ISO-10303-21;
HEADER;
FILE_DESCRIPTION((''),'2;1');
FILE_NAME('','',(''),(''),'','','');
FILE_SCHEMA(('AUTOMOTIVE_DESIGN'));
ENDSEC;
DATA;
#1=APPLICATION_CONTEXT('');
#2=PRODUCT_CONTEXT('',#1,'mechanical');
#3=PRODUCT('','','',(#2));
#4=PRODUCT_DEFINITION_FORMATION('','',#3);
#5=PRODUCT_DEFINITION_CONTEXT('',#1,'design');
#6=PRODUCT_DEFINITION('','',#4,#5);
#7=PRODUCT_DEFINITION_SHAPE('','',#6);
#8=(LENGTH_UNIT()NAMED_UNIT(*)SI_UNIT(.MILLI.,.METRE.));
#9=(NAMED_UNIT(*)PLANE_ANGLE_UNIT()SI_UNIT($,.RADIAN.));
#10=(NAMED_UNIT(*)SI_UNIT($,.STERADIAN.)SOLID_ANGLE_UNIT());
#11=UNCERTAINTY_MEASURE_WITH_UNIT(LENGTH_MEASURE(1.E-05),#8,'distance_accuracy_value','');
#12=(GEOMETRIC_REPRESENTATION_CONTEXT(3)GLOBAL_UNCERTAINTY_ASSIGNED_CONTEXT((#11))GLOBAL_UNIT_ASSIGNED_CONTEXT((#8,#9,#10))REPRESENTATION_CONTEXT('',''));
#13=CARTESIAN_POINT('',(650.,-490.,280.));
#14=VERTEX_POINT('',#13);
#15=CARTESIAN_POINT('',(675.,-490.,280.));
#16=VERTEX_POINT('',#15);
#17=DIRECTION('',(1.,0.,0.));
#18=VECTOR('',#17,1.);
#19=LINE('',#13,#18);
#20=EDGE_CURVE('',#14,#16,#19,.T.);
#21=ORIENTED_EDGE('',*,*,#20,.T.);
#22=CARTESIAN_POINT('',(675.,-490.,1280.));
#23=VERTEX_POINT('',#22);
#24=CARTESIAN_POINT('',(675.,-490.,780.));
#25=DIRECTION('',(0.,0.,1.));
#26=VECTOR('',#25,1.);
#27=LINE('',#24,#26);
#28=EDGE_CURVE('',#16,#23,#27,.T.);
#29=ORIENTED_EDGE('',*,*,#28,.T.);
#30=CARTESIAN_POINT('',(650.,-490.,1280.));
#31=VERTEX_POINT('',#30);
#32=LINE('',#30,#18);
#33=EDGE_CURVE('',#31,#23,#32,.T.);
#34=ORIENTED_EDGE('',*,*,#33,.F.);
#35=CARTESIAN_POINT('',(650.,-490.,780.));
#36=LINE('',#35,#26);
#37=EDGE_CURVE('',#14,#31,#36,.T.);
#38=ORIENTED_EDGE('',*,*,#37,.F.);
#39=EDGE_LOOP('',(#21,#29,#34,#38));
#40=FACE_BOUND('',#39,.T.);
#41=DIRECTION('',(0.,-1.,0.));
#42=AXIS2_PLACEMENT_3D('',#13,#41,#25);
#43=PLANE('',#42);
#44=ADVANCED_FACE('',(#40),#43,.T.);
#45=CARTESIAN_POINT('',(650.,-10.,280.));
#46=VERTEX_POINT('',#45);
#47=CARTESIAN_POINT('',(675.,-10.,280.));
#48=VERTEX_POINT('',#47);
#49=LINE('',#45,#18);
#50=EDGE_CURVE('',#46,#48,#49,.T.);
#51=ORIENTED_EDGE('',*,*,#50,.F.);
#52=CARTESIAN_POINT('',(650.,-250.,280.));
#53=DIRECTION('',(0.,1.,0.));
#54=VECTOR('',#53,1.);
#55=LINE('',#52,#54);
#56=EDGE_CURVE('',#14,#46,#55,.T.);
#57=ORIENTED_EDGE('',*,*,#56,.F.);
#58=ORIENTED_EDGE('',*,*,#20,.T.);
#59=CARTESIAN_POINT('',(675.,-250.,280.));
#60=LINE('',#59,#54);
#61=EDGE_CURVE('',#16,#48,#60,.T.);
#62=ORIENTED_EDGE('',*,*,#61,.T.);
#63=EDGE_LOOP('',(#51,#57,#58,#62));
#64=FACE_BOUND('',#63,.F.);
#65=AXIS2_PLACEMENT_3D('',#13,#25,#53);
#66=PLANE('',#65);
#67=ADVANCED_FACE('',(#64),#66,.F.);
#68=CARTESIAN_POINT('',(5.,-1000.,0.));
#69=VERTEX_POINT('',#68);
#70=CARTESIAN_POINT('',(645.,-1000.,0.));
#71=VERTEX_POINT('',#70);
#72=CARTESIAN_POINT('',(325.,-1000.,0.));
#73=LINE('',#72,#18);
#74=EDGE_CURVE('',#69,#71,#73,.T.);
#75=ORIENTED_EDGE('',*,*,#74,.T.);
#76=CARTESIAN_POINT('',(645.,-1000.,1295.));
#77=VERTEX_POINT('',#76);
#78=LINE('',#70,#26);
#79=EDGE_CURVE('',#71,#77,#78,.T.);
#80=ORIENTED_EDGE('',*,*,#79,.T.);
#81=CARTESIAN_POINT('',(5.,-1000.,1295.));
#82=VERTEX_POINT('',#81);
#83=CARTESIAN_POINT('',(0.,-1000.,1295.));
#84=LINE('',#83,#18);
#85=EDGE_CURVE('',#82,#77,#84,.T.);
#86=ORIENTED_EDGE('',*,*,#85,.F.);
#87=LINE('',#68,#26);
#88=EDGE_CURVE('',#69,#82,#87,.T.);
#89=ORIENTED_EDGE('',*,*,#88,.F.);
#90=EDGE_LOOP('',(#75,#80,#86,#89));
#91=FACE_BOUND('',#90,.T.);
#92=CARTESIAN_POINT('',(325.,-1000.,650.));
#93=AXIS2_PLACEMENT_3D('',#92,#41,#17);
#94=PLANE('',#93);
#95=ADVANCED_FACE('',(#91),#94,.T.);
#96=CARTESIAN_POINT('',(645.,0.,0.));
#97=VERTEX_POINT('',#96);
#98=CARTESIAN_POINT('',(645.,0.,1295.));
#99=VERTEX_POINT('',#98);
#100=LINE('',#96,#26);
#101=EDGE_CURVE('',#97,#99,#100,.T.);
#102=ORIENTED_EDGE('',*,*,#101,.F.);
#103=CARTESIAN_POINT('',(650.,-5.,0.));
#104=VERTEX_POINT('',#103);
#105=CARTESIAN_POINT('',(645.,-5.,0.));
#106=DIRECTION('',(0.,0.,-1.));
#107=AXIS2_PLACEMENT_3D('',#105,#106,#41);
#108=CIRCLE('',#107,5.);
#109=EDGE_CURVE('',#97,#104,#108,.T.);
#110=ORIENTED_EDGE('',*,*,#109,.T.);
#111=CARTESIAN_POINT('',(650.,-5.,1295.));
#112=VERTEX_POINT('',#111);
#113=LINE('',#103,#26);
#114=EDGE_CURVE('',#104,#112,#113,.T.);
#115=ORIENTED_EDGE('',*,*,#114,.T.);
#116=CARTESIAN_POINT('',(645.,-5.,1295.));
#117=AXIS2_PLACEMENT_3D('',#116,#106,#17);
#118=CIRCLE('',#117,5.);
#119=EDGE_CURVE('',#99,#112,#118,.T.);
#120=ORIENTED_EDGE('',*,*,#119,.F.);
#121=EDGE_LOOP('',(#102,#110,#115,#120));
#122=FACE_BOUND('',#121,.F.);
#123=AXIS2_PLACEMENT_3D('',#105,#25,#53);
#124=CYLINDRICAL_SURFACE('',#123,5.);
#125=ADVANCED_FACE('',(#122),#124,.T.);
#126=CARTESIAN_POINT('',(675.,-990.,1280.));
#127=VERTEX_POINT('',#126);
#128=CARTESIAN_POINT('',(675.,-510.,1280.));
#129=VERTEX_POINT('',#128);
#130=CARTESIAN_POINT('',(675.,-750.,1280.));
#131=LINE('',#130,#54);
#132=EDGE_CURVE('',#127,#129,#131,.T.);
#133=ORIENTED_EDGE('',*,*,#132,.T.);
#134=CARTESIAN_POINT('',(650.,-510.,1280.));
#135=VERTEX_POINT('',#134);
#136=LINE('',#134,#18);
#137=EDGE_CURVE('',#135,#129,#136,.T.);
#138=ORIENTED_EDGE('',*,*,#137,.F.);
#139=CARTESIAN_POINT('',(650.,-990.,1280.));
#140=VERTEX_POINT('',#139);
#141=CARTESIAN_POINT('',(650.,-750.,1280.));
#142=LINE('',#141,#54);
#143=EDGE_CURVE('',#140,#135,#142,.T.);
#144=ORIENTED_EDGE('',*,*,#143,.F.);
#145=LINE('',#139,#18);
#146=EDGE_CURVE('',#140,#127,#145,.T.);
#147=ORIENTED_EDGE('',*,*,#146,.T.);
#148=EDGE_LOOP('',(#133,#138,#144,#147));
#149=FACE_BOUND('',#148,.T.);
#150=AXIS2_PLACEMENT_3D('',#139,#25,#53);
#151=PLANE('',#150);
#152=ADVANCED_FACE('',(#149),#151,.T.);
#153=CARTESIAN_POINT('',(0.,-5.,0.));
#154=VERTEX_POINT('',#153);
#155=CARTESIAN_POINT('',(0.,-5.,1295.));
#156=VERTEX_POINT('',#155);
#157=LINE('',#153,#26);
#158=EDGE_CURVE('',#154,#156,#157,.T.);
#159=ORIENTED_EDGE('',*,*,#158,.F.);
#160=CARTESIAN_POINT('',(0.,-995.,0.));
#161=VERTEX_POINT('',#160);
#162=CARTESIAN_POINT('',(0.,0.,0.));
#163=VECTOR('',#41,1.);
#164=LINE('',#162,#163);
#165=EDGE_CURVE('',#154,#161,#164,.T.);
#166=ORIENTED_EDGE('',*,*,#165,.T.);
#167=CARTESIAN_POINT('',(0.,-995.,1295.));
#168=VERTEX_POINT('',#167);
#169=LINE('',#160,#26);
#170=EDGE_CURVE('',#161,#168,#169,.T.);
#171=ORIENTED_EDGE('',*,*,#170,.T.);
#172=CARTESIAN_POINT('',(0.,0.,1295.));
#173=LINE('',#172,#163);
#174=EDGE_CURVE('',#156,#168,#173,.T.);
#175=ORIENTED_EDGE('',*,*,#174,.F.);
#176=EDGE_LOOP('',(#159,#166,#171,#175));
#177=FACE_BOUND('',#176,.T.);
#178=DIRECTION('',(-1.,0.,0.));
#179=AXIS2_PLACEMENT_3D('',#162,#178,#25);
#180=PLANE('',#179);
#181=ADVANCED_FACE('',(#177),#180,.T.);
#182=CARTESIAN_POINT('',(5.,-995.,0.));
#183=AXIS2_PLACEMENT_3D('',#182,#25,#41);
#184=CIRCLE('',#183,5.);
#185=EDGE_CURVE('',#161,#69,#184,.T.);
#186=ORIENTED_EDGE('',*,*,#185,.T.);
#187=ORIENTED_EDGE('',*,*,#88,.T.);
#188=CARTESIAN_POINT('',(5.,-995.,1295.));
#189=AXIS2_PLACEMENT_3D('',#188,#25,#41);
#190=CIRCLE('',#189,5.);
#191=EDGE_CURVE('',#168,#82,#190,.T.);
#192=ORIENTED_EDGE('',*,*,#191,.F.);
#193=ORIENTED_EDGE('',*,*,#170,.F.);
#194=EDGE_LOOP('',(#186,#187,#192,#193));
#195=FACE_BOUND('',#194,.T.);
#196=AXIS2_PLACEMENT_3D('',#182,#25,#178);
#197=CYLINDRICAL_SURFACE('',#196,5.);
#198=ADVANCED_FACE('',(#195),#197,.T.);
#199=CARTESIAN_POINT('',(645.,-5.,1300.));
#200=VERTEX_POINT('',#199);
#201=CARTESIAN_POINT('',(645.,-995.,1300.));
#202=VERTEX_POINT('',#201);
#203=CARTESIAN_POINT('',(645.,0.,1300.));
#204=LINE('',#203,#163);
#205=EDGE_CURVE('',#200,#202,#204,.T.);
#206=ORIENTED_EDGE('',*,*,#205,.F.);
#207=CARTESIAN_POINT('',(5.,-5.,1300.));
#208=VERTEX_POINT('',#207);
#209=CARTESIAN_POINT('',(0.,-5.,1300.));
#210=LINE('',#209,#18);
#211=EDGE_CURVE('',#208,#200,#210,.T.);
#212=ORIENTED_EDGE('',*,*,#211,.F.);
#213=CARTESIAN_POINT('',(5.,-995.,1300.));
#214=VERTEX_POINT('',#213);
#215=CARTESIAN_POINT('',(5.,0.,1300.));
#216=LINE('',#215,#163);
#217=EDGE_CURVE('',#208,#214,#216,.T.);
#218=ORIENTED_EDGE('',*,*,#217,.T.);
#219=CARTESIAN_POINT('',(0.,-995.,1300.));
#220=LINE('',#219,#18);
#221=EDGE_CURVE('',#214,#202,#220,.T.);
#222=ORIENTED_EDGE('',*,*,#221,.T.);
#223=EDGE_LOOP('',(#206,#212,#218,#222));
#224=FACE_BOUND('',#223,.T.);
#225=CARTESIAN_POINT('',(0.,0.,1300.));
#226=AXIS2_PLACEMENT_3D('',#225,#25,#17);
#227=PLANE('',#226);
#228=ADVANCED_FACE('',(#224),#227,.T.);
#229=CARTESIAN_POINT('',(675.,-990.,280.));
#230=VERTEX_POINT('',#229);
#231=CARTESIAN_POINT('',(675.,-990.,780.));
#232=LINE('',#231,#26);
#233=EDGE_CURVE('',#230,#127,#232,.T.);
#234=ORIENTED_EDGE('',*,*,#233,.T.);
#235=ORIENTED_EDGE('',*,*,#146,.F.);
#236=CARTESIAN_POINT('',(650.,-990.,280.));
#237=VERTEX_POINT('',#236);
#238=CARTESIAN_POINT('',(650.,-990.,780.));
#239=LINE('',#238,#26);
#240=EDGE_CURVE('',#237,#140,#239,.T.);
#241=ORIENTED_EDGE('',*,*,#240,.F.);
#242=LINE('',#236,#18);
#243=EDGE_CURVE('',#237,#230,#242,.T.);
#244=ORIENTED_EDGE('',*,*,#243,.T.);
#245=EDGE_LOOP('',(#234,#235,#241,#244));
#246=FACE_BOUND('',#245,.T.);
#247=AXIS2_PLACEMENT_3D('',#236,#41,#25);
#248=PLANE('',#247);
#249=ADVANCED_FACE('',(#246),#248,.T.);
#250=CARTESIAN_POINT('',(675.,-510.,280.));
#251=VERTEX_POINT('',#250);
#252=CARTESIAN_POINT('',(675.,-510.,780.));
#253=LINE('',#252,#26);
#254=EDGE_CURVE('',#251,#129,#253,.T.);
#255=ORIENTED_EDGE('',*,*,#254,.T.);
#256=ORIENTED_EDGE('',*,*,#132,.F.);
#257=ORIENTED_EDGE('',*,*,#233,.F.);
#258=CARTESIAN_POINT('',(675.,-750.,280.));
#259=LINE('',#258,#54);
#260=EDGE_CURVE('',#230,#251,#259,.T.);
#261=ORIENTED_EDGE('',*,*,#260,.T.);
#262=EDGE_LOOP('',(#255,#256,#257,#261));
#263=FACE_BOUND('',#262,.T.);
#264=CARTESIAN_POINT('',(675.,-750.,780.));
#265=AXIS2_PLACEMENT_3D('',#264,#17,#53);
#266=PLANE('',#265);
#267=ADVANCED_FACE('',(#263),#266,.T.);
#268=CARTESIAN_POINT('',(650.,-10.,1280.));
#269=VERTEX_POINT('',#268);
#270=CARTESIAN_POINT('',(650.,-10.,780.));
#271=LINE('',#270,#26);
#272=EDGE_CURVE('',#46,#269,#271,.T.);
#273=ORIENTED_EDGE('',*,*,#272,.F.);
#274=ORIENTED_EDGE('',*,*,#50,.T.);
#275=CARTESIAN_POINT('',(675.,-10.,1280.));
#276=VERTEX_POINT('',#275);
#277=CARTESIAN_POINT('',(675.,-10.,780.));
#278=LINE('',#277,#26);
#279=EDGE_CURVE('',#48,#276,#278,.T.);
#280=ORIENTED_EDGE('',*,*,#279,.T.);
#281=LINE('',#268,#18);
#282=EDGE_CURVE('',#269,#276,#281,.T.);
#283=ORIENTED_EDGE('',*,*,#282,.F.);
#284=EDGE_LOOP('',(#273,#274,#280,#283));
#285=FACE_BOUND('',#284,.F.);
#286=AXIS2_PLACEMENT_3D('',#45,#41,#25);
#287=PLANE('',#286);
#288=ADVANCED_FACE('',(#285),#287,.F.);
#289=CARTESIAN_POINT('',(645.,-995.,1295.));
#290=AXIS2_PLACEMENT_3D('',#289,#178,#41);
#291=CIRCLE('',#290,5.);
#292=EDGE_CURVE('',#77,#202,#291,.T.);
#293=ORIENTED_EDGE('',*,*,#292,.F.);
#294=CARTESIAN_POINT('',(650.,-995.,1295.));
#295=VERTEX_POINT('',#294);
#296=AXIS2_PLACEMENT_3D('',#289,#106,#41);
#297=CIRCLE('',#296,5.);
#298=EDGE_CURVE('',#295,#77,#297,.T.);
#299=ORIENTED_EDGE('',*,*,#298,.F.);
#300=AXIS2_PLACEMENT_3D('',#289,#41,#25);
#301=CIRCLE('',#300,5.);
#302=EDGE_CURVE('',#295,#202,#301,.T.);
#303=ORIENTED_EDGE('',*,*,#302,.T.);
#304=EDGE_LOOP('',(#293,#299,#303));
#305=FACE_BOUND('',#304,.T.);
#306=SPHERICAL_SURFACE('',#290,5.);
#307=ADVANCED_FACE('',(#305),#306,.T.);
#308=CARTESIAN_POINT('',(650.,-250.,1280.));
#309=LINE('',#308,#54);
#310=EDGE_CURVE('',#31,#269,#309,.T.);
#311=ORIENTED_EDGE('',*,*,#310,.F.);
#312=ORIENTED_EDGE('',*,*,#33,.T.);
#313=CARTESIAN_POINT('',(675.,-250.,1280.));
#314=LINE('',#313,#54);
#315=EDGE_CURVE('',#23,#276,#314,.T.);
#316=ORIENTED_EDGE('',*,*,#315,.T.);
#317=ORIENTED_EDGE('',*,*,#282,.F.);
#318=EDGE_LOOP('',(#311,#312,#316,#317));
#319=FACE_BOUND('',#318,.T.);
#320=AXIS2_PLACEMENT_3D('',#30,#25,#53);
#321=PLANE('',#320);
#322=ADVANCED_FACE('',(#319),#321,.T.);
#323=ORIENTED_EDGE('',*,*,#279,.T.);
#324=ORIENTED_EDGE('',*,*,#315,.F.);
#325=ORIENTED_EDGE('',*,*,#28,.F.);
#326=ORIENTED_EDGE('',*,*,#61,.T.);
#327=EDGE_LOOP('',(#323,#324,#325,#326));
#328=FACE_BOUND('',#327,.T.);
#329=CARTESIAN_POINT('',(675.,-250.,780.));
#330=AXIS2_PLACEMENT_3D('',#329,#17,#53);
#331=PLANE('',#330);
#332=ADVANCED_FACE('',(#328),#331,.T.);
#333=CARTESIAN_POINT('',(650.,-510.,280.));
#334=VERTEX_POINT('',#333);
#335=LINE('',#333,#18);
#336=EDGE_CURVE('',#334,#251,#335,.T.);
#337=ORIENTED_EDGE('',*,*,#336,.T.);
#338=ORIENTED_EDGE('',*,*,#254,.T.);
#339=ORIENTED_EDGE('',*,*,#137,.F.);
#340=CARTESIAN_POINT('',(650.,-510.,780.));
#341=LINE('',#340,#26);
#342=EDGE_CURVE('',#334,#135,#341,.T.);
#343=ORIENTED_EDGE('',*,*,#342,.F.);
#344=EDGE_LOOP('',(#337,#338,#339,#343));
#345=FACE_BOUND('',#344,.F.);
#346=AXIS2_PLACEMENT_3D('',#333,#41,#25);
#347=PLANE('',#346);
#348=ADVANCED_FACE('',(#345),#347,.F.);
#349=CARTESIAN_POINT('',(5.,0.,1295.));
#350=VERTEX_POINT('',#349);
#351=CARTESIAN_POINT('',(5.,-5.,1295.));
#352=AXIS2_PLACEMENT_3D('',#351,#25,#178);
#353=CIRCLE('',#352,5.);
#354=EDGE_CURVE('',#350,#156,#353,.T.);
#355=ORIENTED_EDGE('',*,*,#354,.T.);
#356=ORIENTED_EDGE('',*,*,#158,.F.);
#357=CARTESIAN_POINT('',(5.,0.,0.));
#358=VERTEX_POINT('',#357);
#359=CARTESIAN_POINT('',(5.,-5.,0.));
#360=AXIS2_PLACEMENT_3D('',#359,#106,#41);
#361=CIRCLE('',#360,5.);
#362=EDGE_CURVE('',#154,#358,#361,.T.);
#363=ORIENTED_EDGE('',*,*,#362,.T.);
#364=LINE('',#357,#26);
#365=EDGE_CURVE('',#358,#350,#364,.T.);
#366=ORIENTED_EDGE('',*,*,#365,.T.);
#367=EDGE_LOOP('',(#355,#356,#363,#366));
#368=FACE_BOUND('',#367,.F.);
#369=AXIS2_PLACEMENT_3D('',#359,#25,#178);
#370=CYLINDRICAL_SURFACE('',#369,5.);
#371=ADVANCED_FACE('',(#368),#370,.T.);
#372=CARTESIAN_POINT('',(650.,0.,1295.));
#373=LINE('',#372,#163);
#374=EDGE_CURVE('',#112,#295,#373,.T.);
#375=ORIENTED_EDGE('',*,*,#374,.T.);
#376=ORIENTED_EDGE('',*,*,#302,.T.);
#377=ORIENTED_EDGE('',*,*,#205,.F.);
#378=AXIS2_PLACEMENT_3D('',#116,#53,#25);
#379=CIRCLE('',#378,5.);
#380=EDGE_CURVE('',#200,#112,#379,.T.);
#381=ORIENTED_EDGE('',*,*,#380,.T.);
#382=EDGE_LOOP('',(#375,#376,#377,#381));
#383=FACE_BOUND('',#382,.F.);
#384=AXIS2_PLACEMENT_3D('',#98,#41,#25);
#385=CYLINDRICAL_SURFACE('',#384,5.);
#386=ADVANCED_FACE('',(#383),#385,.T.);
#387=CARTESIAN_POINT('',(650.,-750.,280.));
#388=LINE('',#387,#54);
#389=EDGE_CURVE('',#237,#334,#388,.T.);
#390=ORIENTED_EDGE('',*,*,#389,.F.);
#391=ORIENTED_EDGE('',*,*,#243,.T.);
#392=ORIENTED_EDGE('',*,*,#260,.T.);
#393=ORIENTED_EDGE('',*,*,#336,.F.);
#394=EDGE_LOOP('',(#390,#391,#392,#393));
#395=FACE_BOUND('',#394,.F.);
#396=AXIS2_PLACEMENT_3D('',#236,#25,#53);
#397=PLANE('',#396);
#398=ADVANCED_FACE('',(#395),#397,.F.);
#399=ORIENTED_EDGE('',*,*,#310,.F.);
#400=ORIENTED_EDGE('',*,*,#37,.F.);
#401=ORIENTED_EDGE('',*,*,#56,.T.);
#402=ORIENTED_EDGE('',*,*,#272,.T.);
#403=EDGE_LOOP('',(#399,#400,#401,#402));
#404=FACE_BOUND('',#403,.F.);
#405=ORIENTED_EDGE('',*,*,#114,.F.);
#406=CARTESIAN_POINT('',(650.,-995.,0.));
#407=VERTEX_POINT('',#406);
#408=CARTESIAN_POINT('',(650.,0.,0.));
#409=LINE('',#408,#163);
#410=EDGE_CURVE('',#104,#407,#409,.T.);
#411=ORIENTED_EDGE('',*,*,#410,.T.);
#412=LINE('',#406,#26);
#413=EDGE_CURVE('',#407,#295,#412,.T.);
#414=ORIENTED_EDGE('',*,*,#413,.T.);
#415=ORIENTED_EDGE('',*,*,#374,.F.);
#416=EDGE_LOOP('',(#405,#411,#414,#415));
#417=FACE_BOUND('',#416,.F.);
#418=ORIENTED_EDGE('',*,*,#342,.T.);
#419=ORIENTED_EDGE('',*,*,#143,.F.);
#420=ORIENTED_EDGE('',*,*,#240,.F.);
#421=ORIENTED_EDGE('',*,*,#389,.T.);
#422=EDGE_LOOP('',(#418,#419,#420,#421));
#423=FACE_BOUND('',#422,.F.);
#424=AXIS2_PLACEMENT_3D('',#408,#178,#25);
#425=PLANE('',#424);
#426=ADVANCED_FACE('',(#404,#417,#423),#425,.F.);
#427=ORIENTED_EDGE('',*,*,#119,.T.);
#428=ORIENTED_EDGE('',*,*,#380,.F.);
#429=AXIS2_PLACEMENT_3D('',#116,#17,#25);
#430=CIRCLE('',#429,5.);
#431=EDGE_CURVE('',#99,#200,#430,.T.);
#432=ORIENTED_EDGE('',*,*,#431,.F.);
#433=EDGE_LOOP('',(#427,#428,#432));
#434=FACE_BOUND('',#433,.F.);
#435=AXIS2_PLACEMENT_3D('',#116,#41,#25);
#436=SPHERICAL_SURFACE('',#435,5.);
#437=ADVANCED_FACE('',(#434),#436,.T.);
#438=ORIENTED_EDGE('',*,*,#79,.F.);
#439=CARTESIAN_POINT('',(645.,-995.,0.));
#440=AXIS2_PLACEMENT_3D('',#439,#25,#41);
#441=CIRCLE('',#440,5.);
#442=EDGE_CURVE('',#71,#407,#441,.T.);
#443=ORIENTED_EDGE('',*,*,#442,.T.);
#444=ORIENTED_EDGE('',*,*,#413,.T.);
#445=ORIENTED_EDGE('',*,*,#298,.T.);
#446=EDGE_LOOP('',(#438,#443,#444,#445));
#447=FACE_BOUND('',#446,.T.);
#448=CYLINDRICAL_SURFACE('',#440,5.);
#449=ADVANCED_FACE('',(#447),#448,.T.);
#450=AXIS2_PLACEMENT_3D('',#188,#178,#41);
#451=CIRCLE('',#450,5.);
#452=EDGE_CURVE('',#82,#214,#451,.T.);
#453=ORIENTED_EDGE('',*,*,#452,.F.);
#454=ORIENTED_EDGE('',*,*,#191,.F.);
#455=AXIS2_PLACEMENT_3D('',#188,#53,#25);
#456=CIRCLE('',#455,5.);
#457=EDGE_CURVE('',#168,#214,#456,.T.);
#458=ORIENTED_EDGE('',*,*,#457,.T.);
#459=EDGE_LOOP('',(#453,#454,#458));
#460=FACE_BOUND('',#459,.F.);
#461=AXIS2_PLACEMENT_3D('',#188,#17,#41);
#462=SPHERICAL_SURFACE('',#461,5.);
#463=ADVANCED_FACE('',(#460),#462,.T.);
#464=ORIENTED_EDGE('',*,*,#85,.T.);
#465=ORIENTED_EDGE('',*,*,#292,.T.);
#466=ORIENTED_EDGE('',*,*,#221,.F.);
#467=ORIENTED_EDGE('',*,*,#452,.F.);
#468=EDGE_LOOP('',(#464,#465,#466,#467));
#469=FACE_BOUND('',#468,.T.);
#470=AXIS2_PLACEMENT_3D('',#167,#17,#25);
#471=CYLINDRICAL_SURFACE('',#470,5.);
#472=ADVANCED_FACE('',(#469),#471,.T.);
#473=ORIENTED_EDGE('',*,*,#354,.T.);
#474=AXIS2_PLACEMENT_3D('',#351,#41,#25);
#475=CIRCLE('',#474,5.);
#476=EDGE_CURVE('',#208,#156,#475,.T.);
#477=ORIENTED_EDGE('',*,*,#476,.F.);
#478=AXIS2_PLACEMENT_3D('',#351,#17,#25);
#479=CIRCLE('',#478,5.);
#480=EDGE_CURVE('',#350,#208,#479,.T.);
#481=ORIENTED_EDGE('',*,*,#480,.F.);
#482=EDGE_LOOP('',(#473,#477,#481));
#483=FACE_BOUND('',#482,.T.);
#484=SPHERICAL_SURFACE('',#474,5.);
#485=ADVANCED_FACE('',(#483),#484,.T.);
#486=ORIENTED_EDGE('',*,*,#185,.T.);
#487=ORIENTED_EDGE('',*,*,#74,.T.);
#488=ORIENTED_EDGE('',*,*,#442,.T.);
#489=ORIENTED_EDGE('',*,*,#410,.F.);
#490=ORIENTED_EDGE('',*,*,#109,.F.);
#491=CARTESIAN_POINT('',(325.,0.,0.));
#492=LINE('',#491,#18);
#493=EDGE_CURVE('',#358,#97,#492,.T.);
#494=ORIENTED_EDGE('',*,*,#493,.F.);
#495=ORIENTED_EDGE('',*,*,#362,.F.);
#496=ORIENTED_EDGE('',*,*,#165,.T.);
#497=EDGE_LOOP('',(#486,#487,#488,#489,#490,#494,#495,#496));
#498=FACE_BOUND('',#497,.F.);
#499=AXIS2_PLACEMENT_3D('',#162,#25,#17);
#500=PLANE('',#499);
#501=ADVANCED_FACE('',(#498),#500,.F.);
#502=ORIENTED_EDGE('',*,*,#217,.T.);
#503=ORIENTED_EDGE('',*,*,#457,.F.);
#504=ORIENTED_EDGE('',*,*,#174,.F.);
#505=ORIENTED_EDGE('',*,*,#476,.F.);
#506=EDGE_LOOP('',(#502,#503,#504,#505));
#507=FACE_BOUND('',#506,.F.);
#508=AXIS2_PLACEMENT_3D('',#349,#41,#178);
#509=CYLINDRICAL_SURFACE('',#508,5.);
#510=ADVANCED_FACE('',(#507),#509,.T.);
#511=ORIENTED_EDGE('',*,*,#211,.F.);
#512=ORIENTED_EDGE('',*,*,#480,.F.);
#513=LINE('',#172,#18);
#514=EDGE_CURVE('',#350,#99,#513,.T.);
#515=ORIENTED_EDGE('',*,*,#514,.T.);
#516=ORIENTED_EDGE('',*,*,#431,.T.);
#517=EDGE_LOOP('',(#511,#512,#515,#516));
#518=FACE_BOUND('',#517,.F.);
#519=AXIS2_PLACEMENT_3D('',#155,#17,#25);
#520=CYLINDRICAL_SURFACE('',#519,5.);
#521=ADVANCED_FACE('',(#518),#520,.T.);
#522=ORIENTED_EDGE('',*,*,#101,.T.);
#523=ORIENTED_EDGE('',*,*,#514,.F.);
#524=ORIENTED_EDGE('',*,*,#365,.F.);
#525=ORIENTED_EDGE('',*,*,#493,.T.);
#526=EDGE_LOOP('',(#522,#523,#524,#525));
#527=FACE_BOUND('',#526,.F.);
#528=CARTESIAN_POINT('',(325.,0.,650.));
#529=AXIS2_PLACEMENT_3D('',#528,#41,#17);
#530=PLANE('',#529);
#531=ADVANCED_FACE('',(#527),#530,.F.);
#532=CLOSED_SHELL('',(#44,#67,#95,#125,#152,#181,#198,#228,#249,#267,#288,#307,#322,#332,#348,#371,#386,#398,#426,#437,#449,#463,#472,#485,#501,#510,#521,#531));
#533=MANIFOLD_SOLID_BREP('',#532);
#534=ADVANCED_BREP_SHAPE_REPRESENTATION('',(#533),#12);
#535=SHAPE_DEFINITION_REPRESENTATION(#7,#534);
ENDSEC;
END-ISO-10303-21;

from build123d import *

# Parameters (mm, degrees)
F0_W     = 650
F0_H     = 1300
F1_DEPTH = 1000
F2_W     = 480
F2_H     = 1000
F3_DEPTH = 25
F4_R     = 5


with BuildPart() as f1:
    # F0 (on Front) → F1 (new body)
    with BuildSketch(Plane.XZ):
        with Locations((325, 650)):
            Rectangle(F0_W, F0_H)
    extrude(amount=F1_DEPTH)

    # F2 (on face) → F3 (join)
    with BuildSketch(Plane.YZ.offset(650)):
        with Locations((-250, 780)):
            Rectangle(F2_W, F2_H)
        with Locations((-750, 780)):
            Rectangle(F2_W, F2_H)
    extrude(amount=F3_DEPTH)

    # F4
    f4_edges = [f1.edges().sort_by_distance(p)[0] for p in [
        (325, -1000, 1300),
        (0, -1000, 650),
        (650, -1000, 650),
        (650, -500, 1300),
        (0, -500, 1300),
        (325, 0, 1300),
        (650, 0, 650),
        (0, 0, 650),
    ]]
    fillet(f4_edges, radius=F4_R)


solid = f1.part
